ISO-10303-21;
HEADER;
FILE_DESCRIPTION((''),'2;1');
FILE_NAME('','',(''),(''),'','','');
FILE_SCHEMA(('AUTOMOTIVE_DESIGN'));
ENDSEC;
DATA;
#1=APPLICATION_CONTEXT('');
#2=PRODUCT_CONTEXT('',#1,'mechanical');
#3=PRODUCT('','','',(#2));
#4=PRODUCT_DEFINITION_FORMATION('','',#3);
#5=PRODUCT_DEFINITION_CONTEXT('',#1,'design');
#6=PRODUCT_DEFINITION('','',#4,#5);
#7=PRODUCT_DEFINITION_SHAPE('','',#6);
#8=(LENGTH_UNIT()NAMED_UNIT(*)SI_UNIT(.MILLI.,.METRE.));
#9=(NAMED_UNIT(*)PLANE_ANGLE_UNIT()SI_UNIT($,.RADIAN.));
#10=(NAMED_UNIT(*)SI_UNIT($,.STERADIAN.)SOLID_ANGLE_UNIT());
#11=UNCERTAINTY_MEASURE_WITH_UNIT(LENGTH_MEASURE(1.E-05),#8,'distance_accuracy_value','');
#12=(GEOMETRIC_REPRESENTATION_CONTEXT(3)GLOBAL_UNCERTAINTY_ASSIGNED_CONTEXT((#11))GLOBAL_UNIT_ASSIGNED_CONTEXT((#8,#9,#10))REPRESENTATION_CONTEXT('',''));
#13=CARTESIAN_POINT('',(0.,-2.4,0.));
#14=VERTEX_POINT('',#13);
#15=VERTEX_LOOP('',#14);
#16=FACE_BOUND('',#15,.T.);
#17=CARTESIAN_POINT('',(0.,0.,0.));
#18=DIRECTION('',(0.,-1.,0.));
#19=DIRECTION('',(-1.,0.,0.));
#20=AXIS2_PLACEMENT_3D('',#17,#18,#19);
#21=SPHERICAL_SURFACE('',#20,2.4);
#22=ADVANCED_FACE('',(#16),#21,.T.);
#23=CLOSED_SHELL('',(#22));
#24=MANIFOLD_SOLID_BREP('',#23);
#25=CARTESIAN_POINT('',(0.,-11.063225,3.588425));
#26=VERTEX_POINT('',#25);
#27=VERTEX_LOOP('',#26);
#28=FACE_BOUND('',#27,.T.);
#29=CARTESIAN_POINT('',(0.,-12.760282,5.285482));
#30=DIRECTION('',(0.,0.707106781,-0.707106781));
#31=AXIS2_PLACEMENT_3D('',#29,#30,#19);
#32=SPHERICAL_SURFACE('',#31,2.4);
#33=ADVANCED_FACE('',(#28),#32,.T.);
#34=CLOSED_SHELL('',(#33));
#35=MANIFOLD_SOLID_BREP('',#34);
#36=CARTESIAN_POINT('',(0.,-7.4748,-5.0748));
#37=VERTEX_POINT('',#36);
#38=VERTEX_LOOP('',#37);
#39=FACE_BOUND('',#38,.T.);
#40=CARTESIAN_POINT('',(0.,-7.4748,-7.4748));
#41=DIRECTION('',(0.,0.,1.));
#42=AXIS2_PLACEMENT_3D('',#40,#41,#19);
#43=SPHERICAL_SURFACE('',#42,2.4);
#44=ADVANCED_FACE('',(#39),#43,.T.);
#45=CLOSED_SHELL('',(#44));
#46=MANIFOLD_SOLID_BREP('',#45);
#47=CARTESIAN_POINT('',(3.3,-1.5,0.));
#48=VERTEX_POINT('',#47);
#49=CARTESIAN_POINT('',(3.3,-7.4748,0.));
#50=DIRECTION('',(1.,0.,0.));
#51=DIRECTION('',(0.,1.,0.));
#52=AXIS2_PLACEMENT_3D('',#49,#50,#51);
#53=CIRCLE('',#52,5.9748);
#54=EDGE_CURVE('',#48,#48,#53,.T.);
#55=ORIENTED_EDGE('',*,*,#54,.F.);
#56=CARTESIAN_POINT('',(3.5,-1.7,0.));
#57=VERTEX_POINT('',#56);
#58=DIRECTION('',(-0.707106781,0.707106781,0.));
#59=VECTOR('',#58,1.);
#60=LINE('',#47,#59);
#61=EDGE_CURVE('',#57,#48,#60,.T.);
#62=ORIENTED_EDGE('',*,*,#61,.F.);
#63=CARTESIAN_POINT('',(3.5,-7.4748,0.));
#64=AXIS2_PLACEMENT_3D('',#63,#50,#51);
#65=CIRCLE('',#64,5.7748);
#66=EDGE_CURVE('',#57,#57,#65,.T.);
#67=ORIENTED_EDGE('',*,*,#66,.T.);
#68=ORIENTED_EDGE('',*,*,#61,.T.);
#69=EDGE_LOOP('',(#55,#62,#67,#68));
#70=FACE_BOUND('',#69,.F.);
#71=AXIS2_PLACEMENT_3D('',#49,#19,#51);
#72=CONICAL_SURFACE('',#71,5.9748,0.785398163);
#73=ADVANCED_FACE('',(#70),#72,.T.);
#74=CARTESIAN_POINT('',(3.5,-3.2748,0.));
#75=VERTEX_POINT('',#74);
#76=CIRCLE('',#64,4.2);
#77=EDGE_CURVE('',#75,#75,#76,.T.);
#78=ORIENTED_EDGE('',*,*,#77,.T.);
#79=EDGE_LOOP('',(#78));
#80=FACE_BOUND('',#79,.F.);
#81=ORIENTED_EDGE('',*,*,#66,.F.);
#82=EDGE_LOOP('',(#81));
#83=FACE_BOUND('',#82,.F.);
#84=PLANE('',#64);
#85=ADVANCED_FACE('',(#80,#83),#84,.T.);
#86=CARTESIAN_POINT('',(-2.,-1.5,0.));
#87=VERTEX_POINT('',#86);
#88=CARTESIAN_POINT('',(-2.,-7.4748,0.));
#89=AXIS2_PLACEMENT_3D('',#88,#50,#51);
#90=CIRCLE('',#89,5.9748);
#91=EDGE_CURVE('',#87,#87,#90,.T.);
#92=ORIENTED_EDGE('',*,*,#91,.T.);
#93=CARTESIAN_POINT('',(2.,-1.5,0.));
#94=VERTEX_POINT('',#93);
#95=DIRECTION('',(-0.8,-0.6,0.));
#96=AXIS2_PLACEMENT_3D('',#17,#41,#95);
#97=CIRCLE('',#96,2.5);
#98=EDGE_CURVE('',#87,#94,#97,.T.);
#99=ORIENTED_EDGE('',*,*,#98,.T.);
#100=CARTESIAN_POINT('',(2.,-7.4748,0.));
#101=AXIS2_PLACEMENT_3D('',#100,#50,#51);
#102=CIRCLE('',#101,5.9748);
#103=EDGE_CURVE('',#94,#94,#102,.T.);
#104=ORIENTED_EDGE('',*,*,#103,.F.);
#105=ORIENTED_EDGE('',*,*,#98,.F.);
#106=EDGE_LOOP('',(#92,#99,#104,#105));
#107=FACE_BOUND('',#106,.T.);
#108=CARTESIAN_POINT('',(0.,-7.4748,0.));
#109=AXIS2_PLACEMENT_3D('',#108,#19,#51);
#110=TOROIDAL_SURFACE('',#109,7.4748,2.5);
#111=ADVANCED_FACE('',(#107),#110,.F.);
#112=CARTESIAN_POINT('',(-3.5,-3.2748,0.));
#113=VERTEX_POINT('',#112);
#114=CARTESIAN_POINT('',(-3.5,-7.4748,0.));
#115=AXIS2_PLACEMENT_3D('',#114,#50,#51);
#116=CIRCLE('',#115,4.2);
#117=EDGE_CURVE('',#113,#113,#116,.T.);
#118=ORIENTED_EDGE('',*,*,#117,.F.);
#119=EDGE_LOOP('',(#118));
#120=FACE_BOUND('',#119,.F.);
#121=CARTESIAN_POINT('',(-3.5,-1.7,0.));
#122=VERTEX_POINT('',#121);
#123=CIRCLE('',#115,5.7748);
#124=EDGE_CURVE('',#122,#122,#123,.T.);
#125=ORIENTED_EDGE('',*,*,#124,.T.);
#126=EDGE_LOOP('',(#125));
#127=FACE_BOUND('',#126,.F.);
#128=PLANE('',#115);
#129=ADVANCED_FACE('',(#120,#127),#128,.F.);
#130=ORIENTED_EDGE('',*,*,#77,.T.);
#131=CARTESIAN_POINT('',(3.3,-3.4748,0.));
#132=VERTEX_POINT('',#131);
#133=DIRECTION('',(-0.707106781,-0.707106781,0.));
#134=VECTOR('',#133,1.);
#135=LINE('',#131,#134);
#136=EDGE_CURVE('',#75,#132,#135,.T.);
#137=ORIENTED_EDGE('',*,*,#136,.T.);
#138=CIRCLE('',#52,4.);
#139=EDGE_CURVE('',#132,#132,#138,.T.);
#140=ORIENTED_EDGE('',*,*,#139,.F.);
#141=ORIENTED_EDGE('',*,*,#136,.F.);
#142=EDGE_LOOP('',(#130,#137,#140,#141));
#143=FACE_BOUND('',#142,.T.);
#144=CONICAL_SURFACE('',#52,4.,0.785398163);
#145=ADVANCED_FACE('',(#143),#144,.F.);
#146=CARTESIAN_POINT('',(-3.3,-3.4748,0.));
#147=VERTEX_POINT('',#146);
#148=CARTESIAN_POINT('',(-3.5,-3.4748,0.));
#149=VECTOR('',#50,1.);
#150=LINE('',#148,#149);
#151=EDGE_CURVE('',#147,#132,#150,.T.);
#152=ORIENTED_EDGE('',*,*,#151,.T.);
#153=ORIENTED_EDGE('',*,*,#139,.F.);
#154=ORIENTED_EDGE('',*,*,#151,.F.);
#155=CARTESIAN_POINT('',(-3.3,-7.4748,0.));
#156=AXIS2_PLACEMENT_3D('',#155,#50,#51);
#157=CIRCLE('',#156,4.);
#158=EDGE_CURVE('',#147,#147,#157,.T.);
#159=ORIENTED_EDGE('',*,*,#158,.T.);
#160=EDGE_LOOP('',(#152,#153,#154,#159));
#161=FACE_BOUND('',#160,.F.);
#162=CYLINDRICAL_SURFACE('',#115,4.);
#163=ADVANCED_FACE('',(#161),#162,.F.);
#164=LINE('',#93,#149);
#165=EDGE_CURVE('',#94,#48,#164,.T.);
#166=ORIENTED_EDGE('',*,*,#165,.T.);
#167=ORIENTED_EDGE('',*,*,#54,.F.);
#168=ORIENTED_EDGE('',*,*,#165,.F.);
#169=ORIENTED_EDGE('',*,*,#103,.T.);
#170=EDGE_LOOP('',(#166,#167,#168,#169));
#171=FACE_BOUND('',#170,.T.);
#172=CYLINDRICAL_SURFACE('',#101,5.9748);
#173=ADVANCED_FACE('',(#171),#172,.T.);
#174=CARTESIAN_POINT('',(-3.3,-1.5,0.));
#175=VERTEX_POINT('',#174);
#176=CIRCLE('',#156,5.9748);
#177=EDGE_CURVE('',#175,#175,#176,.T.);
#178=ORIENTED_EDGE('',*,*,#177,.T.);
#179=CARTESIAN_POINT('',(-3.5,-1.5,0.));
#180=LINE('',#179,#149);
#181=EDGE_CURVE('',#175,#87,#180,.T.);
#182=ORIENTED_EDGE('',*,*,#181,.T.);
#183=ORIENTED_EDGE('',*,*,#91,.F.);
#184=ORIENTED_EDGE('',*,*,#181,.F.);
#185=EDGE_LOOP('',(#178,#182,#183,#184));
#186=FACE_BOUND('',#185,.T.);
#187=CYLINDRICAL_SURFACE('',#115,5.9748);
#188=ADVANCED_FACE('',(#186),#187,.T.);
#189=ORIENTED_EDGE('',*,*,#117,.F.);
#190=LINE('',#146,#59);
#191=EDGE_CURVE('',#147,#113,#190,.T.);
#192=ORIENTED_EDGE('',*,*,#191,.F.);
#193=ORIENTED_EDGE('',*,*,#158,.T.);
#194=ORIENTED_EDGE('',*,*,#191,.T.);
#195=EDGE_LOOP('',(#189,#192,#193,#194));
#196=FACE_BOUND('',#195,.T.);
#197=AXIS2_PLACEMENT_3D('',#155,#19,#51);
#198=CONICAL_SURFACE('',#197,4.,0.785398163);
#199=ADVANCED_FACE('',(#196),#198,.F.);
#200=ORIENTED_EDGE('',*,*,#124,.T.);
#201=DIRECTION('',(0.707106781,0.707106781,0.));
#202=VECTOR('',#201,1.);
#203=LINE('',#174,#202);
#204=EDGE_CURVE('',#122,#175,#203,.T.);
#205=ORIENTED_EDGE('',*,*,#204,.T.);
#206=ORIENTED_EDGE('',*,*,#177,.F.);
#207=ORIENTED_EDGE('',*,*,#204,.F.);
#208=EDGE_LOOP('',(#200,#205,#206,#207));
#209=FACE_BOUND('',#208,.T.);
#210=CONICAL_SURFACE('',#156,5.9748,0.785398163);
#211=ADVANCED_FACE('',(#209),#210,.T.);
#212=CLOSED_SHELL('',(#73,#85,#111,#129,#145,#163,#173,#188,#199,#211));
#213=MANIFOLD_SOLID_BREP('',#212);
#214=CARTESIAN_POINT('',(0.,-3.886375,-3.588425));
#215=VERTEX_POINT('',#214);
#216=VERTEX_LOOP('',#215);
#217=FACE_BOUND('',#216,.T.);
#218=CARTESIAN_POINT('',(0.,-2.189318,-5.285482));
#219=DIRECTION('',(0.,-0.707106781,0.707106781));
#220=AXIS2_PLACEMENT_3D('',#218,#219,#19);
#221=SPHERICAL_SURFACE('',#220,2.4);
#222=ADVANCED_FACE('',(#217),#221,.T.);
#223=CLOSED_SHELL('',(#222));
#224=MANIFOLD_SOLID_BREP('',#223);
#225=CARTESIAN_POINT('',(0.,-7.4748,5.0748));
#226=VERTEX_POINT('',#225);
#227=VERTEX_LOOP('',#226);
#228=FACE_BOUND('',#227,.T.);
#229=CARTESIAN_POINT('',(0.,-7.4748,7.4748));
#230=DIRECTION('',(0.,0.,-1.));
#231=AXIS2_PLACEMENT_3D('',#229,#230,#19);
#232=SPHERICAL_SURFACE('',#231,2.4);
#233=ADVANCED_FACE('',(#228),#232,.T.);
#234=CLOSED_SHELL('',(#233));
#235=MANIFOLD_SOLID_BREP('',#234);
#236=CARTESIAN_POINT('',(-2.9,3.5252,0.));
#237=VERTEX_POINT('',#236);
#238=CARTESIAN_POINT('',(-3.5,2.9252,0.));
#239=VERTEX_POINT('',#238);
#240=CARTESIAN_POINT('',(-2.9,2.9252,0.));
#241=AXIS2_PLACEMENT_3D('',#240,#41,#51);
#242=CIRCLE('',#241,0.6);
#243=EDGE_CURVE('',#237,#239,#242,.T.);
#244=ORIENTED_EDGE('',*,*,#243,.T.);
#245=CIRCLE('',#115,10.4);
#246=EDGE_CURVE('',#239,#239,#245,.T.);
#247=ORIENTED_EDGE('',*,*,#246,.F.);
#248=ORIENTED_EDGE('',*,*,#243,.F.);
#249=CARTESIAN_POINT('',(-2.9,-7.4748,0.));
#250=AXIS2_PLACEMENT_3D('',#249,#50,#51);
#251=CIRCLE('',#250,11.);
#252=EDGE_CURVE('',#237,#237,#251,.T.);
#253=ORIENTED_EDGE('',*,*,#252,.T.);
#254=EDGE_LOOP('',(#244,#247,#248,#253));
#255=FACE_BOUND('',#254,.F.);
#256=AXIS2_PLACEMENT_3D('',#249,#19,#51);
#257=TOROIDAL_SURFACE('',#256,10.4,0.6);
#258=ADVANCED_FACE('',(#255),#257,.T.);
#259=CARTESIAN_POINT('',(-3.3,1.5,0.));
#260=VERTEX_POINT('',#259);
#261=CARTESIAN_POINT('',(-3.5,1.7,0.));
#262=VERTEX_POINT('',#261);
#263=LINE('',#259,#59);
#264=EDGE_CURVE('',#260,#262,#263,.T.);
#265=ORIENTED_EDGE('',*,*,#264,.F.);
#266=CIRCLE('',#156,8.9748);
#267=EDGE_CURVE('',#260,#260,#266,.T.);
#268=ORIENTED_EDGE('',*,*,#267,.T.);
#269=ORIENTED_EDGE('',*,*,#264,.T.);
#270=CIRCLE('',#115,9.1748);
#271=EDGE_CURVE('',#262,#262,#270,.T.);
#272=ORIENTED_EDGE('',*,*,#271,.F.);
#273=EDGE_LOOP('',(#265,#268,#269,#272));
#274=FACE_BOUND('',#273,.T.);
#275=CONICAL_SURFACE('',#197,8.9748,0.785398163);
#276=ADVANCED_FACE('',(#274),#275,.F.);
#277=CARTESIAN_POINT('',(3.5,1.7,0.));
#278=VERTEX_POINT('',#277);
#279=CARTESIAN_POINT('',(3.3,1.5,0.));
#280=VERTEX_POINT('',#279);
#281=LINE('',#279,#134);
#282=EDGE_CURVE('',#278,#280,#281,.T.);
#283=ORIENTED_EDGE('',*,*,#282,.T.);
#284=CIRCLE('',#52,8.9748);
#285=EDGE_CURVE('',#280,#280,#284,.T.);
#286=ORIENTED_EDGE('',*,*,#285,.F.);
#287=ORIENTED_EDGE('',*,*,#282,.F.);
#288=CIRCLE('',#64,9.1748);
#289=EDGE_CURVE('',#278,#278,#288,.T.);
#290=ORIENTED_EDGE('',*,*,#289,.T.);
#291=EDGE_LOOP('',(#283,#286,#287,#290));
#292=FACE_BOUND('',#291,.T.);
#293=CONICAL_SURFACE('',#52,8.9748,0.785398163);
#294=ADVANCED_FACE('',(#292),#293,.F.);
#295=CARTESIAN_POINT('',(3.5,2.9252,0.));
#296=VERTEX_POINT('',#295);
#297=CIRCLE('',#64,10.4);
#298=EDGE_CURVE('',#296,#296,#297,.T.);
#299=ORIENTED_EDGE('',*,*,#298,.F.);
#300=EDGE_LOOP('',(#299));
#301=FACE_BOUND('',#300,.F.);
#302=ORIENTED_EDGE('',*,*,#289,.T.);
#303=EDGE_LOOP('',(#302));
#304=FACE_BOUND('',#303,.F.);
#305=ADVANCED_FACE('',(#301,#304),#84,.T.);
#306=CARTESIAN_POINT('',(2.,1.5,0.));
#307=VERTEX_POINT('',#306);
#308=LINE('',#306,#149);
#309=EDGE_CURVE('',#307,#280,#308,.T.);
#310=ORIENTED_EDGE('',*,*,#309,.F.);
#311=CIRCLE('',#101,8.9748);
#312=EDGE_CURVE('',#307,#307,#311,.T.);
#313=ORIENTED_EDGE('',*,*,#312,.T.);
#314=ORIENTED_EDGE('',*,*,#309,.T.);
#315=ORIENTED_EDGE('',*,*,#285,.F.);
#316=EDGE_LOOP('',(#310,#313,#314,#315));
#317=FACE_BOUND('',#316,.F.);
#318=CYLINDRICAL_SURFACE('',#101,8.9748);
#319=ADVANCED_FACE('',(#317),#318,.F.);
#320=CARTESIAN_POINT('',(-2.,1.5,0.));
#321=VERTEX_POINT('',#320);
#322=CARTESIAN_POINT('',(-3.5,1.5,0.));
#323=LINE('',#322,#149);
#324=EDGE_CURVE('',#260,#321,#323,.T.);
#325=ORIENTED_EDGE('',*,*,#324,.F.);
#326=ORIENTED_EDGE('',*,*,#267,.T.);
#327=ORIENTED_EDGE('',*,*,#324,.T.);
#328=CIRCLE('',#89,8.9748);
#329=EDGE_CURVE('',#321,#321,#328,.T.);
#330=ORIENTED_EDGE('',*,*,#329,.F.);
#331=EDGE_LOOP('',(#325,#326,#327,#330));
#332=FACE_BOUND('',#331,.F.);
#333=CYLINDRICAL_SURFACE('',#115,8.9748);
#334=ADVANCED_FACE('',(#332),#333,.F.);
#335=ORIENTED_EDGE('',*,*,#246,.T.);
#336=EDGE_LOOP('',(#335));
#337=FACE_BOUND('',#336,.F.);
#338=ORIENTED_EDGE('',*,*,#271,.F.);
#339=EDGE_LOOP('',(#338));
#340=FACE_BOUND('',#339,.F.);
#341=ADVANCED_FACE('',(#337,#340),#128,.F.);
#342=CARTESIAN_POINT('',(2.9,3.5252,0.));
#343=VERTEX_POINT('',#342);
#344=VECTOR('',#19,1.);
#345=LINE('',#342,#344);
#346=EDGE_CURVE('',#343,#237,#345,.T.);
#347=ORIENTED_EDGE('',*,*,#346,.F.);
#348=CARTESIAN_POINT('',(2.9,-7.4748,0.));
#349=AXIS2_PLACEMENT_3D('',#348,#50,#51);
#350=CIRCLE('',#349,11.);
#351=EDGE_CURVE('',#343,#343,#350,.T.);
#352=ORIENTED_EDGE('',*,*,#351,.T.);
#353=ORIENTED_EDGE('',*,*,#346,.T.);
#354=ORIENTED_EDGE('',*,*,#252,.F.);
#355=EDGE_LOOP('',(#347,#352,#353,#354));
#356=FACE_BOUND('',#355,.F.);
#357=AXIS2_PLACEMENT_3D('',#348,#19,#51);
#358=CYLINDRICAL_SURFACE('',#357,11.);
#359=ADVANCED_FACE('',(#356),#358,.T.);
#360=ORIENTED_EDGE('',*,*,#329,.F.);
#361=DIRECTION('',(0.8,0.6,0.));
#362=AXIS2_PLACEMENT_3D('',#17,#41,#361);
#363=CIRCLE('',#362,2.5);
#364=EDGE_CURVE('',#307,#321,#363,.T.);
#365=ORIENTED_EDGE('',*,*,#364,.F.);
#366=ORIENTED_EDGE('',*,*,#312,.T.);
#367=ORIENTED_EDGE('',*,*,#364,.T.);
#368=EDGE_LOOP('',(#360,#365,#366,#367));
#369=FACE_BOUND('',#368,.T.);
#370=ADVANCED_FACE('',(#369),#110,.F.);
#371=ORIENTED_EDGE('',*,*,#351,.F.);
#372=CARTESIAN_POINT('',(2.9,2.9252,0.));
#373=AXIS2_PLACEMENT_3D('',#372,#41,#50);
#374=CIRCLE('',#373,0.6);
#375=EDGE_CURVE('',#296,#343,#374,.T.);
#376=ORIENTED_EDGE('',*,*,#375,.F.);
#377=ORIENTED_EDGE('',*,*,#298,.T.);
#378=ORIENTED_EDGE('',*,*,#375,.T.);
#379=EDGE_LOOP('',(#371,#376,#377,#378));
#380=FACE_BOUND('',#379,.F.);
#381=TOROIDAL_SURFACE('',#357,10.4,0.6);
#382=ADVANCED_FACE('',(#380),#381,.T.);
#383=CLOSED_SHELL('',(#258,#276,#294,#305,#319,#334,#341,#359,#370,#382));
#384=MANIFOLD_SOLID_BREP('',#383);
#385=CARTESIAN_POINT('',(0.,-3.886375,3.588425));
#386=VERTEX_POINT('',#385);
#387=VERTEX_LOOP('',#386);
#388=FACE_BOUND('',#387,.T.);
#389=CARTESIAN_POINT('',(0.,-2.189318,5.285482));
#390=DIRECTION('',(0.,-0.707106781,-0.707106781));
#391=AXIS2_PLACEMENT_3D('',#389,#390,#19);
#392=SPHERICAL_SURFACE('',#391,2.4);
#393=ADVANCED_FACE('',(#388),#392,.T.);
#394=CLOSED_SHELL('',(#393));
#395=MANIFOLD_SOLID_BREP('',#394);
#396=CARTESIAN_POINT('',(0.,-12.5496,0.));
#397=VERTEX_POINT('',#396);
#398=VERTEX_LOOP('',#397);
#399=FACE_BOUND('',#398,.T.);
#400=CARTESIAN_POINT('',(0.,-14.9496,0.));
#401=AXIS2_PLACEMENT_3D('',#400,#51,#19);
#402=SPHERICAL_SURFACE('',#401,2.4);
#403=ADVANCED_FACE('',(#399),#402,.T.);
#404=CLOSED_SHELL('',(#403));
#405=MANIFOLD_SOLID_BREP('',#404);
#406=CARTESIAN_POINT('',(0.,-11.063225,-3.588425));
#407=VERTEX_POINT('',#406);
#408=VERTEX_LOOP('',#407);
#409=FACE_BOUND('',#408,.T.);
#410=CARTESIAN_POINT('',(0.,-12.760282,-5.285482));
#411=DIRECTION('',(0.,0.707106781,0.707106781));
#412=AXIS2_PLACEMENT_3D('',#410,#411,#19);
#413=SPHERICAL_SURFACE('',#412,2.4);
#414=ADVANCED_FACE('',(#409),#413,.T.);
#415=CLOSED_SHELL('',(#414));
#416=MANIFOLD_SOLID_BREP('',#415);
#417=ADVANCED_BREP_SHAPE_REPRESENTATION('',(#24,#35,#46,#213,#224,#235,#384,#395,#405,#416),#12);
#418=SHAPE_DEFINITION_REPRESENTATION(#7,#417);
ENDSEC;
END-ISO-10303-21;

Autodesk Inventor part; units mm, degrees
ref_plane "YZ Plane" through (0, 0, 0) normal (1, 0, 0) x (0, 1, 0)
ref_plane "XZ Plane" through (0, 0, 0) normal (0, 1, 0) x (-1, 0, 0)
ref_plane "XY Plane" through (0, 0, 0) normal (0, 0, 1) x (1, 0, 0)
sketch "Sketch1" plane through (0, 0, 0) normal (1, 0, 0) x (0, 1, 0)
  point P0 (0, 0)
sketch "Sketch2" plane through (0, 0, 0) normal (0, 0, 1) x (1, 0, 0)
  line L0 (-3.5, -7.4748) -> (3.5, -7.4748)
  line L1 (2.9, 3.5252) -> (-2.9, 3.5252)
  line L2 (-3.5, -3.4748) -> (3.5, -3.4748)
  arc A0 (-2.9, 3.5252) -> (-3.5, 2.9252) centre (-2.9, 2.9252) ccw
  arc A1 (3.5, 2.9252) -> (2.9, 3.5252) centre (2.9, 2.9252) ccw
  line L3 (3.5, -3.4748) -> (3.5, -1.5)
  line L4 (3.5, 1.5) -> (3.5, 2.9252)
  line L5 (-3.5, 2.9252) -> (-3.5, 1.5)
  line L6 (-3.5, -1.5) -> (-3.5, -3.4748)
  arc A2 (-2, -1.5) -> (2, -1.5) centre (0, 0) ccw
  arc A3 (2, 1.5) -> (-2, 1.5) centre (0, 0) ccw
  line L7 (-3.5, 1.5) -> (-2, 1.5)
  line L8 (2, 1.5) -> (3.5, 1.5)
  line L9 (-3.5, -1.5) -> (-2, -1.5)
  line L10 (2, -1.5) -> (3.5, -1.5)
  point P0 (-3.5, 3.5252)
  dimension "d7" = 4
  dimension "d8" = 11
  dimension "d9" = 0.6
revolve "Revolution1" add sketch "Sketch2" angle 360 about axis through (-3.5, -7.4748, 0) along (1, 0, 0)
sketch "Sketch3" plane through (0, 0, 0) normal (0, 0, 1) x (1, 0, 0)
  arc A0 (0, 2.4) -> (0, -2.4) centre (0, 0) ccw
  line L0 (0, 2.4) -> (0, -2.4)
  dimension "d11" = 4.8
revolve "Revolution2" add sketch "Sketch3" angle 360 about axis through (0, 2.4, 0) along (0, -1, 0)
pattern_circular "Circular Pattern1" count 8 over 360 about axis through (0, -7.4748, 0) along (1, 0, 0) of "Revolution2"
chamfer "Chamfer1" distance 0.2 angle 45 1 edges at (3.5, -11.4748, 0)
chamfer "Chamfer2" distance 0.2 angle 45 1 edges at (3.5, -16.4496, 0)
chamfer "Chamfer3" distance 0.2 angle 45 1 edges at (3.5, -13.4496, 0)
chamfer "Chamfer4" distance 0.2 angle 45 3 edges at (-3.5, -11.4748, 0) (-3.5, -16.4496, 0) (-3.5, -13.4496, 0)
properties part number "ROLAMENTO_608Z"
